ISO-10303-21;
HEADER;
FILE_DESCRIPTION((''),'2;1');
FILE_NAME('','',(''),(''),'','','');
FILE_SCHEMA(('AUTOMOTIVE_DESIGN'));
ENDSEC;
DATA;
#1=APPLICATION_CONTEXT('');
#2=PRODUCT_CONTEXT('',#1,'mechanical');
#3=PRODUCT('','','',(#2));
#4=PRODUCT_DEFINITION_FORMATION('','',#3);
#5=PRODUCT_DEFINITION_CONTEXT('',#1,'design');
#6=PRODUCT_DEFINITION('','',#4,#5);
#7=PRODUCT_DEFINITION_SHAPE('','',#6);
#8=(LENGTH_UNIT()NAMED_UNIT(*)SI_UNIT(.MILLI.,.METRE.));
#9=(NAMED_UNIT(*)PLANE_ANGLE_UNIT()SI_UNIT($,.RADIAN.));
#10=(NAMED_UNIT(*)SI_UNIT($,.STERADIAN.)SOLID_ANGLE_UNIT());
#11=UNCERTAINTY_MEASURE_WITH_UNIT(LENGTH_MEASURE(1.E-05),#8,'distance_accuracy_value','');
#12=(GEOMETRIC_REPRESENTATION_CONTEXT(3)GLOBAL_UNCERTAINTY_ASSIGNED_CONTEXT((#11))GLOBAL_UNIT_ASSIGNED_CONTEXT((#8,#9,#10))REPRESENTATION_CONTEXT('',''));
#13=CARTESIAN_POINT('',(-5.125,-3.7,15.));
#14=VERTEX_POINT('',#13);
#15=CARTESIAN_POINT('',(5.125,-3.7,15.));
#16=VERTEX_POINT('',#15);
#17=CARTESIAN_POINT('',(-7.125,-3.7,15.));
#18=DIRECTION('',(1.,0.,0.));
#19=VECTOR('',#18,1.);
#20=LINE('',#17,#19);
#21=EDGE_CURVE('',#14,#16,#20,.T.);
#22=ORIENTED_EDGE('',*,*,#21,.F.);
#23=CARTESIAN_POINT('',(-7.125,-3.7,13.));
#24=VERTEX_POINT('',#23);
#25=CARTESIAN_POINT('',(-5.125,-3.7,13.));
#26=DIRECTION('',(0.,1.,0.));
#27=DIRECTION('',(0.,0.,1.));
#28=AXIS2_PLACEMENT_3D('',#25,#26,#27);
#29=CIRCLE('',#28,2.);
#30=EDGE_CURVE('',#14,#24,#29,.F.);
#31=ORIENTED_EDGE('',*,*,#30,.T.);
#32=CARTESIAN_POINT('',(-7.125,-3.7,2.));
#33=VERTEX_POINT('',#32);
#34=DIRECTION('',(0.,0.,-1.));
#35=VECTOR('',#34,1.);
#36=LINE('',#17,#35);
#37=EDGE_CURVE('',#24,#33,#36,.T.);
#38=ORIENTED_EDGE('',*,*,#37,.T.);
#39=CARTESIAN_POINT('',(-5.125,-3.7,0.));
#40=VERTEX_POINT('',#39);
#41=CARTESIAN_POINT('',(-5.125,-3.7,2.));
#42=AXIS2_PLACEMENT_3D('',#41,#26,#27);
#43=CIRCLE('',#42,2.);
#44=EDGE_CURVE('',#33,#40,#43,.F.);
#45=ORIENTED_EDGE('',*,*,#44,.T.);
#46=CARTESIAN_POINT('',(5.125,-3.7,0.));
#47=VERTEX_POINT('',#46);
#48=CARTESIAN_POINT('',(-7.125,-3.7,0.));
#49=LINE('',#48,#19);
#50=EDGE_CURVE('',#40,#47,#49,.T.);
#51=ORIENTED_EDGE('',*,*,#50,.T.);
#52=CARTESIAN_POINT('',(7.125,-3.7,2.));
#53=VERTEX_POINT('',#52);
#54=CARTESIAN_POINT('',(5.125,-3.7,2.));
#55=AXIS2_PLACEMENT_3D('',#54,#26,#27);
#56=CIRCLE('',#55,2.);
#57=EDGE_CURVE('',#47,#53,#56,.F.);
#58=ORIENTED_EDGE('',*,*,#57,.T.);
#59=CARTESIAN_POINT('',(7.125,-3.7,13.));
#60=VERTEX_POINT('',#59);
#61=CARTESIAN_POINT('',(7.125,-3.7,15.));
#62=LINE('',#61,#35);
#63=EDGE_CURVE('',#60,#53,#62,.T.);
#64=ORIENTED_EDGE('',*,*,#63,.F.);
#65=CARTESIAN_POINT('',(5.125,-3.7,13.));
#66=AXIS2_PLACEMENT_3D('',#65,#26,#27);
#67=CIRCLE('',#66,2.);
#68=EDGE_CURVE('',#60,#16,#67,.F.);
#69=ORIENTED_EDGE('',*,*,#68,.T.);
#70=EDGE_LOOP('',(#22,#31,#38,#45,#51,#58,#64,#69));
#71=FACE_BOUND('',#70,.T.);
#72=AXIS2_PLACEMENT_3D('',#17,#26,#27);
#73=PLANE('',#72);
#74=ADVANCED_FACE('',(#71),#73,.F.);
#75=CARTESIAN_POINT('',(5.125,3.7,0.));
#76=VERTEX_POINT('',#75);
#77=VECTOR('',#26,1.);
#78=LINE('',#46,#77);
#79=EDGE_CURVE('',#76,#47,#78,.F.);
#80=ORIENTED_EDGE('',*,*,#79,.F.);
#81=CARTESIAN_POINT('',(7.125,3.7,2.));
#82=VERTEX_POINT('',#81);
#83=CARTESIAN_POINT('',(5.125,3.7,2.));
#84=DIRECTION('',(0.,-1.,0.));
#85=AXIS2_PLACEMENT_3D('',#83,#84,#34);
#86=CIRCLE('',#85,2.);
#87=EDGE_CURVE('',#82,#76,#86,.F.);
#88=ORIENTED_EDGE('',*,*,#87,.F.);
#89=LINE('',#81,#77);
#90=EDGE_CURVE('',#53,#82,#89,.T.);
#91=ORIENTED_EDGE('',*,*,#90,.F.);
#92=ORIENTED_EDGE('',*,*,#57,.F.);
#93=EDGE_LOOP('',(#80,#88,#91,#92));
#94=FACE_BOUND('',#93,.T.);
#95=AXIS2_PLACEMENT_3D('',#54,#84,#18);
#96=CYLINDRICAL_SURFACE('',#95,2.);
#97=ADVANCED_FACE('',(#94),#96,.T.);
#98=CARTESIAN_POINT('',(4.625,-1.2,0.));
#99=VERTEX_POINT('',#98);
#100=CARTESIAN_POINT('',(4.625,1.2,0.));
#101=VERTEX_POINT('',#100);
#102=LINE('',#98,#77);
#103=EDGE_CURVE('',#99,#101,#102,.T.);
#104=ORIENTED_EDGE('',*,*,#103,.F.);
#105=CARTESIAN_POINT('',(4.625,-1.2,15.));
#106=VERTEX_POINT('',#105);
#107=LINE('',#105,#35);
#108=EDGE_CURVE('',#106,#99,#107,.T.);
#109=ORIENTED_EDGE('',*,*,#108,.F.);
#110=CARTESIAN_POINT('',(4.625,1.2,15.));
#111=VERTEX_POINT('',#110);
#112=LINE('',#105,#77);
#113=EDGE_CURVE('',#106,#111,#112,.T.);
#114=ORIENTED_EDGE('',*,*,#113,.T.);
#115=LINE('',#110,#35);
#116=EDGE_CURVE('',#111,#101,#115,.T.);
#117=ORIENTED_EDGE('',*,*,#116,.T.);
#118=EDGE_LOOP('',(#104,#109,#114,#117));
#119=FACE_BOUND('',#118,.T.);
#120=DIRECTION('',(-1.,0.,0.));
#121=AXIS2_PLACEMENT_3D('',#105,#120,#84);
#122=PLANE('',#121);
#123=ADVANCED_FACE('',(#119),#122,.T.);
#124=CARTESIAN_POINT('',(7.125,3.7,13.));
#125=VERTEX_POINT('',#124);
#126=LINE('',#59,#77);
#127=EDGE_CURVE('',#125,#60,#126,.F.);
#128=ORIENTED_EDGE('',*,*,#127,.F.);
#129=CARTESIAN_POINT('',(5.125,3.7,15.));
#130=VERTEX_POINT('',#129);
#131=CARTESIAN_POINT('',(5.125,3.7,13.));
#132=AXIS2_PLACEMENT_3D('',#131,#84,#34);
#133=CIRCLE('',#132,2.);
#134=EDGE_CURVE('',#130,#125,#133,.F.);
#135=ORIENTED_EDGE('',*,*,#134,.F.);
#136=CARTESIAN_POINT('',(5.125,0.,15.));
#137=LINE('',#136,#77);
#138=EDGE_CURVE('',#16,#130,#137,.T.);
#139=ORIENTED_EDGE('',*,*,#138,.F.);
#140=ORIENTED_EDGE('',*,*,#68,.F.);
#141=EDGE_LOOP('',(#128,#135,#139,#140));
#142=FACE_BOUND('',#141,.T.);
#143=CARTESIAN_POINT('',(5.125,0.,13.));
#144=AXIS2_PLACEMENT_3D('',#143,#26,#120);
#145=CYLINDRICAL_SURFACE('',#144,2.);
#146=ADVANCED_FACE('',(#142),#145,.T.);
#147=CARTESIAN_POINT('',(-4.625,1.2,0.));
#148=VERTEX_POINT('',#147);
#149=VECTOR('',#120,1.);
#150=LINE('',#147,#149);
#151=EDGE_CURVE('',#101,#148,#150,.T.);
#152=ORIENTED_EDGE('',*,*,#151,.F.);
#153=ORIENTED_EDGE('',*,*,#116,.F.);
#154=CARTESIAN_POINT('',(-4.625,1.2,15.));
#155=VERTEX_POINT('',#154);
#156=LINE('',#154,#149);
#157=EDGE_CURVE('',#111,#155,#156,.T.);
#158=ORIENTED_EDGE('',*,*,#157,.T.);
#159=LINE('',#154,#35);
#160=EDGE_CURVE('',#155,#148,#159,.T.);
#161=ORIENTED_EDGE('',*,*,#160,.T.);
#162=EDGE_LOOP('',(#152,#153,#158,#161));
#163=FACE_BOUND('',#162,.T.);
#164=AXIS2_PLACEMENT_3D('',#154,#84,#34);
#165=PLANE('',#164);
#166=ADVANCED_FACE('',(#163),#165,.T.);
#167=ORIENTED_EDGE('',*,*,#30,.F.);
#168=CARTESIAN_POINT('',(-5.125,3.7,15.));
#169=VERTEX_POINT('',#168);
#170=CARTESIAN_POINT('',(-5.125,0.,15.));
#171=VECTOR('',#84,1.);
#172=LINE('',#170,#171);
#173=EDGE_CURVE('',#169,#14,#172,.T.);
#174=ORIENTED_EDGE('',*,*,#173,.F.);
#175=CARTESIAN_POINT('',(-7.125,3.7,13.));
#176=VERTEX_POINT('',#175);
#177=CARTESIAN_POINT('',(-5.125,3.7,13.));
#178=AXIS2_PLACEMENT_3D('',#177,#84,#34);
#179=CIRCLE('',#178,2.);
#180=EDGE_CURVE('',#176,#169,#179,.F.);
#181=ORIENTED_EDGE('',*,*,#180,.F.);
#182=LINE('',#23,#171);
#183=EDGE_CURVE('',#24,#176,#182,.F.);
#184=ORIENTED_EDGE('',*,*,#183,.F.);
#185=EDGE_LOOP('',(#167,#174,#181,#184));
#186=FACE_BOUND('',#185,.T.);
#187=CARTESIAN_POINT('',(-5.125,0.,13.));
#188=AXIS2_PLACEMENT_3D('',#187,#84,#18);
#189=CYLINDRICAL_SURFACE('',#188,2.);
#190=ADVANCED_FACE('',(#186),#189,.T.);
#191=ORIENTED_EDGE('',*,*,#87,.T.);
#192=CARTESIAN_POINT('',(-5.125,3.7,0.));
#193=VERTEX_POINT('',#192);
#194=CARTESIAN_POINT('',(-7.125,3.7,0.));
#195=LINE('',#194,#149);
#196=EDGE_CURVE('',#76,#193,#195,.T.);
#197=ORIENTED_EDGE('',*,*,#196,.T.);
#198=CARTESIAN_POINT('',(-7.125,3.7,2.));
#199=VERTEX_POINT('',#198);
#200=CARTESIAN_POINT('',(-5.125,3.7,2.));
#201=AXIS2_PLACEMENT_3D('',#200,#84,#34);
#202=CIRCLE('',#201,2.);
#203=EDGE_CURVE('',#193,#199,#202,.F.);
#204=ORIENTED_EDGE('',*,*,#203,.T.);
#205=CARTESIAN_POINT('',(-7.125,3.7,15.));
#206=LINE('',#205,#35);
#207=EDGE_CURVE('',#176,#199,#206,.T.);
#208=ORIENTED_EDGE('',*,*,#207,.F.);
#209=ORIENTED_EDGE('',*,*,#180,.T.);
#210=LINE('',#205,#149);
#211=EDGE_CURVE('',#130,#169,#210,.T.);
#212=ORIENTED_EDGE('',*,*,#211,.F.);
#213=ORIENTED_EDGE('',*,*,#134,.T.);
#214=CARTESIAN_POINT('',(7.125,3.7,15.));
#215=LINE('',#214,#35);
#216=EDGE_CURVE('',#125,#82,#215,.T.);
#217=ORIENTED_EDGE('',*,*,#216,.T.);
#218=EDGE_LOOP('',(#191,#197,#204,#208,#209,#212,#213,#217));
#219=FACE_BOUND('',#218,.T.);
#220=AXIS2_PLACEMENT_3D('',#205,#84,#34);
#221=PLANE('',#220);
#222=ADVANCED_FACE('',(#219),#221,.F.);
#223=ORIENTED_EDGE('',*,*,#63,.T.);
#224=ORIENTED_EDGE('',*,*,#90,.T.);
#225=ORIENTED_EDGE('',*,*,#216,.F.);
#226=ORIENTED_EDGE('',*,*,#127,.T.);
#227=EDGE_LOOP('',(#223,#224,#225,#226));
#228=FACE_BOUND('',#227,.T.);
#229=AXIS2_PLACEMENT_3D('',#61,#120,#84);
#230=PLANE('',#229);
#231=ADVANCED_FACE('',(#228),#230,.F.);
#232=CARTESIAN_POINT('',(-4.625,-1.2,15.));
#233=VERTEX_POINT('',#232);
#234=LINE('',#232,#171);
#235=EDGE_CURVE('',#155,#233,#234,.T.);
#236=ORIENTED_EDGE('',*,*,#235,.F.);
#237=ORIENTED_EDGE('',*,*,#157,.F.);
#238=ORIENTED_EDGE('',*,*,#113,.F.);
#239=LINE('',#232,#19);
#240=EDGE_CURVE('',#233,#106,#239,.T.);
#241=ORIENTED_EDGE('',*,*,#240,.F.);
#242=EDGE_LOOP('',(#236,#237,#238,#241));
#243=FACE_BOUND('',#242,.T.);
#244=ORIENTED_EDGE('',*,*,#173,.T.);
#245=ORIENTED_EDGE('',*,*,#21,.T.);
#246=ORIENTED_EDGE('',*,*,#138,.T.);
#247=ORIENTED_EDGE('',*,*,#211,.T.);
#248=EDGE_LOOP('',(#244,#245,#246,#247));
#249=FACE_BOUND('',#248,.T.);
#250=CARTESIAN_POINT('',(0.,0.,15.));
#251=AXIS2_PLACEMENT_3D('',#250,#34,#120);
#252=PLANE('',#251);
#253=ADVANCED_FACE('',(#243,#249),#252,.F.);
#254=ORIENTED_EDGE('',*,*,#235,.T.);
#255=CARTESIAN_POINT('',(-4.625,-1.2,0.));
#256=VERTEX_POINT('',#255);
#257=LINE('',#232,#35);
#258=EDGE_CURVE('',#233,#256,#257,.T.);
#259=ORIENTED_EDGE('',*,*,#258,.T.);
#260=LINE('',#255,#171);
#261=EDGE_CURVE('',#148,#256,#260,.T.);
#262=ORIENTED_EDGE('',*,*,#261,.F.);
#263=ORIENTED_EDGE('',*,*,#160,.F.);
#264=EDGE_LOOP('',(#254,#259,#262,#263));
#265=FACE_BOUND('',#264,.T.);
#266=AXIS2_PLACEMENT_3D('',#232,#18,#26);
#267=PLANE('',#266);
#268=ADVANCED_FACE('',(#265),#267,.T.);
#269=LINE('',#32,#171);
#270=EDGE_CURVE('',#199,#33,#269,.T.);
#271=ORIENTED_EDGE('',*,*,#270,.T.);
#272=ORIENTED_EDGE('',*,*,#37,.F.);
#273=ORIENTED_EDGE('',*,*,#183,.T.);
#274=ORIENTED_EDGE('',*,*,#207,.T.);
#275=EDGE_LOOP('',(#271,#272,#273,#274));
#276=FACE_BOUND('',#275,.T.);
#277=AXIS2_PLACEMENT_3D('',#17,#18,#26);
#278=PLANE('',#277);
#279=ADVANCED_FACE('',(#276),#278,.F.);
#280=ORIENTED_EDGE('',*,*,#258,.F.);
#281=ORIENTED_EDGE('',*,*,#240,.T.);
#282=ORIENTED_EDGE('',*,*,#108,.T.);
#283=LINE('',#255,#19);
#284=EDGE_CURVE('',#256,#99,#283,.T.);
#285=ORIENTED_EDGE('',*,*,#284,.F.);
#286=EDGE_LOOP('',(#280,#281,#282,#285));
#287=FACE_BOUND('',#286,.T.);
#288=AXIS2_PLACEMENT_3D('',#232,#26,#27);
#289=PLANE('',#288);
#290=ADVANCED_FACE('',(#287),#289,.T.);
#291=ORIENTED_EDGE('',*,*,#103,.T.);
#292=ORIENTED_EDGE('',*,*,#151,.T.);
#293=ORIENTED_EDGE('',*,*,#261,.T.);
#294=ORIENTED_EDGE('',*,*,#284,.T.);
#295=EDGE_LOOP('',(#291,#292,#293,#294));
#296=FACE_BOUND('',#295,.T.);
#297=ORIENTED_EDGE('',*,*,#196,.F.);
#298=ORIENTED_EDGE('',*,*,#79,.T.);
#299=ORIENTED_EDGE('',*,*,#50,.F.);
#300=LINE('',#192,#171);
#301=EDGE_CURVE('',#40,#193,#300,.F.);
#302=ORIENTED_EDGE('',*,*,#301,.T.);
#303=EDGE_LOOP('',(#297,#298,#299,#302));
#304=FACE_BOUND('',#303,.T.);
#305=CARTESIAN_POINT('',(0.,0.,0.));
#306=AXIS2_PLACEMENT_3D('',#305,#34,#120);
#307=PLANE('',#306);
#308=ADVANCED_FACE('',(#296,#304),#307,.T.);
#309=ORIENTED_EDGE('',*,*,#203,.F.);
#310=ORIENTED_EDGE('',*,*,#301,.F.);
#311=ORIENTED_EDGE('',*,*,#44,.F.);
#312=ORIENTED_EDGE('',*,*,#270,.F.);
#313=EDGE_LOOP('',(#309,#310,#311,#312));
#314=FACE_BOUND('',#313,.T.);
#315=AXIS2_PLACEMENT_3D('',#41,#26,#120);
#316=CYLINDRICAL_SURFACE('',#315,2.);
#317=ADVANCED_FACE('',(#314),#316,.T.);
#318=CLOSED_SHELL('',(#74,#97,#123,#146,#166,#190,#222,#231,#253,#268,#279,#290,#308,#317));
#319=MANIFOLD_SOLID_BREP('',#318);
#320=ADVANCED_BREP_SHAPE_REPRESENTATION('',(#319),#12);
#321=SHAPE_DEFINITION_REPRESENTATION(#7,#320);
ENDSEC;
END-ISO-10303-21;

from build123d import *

# Parameters (mm, degrees)
PROFILE_SKETCH_W      = 14.25
PROFILE_SKETCH_H      = 7.4
PROFILE_SKETCH_W_2    = 9.25
PROFILE_SKETCH_H_2    = 2.4
PROFILE_EXTRUDE_DEPTH = 15
CORNER_FILLETS_R      = 2


with BuildPart() as part:
    # Profile Sketch → Profile Extrude (new body)
    with BuildSketch(Plane.XY):
        Rectangle(PROFILE_SKETCH_W, PROFILE_SKETCH_H)
        Rectangle(PROFILE_SKETCH_W_2, PROFILE_SKETCH_H_2, mode=Mode.SUBTRACT)
    extrude(amount=PROFILE_EXTRUDE_DEPTH)

    # Corner Fillets
    corner_fillets_edges = [part.edges().sort_by_distance(p)[0] for p in [
        (-7.125, 0, 15),
        (7.125, 0, 15),
        (-7.125, 0, 0),
        (7.125, 0, 0),
    ]]
    fillet(corner_fillets_edges, radius=CORNER_FILLETS_R)


solid = part.part
